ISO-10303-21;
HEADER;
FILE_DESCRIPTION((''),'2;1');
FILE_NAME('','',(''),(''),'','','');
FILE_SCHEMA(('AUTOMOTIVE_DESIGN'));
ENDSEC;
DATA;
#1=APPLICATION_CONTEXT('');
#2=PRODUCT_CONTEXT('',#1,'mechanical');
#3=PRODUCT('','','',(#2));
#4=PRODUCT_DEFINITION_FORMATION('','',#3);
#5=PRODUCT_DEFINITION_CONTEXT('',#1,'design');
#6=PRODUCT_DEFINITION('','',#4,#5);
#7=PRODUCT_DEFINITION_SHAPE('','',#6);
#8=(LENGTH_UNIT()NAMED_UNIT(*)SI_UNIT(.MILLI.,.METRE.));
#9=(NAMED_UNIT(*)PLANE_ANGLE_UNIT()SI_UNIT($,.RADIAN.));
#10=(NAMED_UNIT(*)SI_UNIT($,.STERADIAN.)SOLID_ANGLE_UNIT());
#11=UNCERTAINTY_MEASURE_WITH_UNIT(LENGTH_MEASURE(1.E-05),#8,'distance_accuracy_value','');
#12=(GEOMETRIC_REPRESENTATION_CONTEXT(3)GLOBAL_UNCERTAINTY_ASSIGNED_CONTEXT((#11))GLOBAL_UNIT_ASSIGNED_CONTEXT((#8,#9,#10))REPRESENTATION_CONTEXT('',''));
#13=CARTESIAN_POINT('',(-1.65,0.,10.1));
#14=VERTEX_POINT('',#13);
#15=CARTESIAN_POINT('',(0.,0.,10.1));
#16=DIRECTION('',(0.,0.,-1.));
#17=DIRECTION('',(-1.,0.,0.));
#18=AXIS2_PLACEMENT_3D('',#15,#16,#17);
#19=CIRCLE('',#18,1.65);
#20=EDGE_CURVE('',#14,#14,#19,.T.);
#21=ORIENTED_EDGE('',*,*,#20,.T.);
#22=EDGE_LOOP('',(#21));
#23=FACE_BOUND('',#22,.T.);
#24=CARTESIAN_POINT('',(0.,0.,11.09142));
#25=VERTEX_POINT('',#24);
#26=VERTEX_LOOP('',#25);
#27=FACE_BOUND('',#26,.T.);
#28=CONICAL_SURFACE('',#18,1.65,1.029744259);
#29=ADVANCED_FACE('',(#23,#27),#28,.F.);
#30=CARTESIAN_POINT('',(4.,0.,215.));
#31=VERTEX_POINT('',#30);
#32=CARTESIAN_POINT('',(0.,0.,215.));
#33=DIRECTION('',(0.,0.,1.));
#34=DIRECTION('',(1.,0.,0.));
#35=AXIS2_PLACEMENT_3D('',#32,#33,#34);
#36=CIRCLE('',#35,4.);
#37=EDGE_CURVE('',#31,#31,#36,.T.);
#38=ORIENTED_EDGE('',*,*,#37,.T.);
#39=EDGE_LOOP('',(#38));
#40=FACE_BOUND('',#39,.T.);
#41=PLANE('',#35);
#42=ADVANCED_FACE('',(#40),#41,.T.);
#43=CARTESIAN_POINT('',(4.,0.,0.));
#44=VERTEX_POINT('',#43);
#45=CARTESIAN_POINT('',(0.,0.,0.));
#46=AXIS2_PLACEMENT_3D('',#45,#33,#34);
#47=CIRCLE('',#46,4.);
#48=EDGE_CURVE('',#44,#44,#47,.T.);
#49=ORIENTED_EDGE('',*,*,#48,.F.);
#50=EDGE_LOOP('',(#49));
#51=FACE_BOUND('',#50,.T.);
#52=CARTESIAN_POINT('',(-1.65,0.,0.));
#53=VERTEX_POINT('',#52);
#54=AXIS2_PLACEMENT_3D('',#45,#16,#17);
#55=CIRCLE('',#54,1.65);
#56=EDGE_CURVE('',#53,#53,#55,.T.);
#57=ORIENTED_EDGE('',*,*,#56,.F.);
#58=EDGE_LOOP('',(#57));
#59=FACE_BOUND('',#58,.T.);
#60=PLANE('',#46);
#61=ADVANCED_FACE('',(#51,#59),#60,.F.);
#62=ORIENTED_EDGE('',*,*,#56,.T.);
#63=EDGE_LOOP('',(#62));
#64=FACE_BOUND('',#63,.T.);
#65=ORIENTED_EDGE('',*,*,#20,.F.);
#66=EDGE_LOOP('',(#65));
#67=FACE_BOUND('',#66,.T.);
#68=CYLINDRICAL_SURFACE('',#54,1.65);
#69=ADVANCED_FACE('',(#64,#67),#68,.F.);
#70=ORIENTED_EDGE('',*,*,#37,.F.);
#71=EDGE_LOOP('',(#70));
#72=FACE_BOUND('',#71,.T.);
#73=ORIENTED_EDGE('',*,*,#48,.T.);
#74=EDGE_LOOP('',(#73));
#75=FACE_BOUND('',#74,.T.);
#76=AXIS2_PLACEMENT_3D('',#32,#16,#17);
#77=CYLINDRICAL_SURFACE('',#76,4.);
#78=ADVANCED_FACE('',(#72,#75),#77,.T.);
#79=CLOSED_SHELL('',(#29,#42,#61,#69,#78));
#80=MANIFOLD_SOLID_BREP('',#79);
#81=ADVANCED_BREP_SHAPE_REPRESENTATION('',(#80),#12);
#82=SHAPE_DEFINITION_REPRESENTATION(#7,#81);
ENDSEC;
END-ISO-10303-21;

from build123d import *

# Parameters (mm, degrees)
SKETCH1_R                 = 4
BOSS_EXTRUDE1_DEPTH       = 215
M4X0_7_TAPPED_HOLE2_D     = 3.3
M4X0_7_TAPPED_HOLE2_DEPTH = 10.1
M4X0_7_TAPPED_HOLE2_TIP   = 0.991420021


with BuildPart() as part:
    # Sketch1 → Boss-Extrude1 (new body)
    with BuildSketch(Plane.XY):
        Circle(SKETCH1_R)
    extrude(amount=BOSS_EXTRUDE1_DEPTH)

    # M4x0.7 Tapped Hole2
    with Locations(Plane(origin=(0, 0, 0), x_dir=(-1, 0, 0), z_dir=(0, 0, -1))):
        with Locations((0, 0)):
            Hole(M4X0_7_TAPPED_HOLE2_D / 2, depth=M4X0_7_TAPPED_HOLE2_DEPTH)
            with Locations((0, 0, -(M4X0_7_TAPPED_HOLE2_DEPTH + M4X0_7_TAPPED_HOLE2_TIP / 2))):  # 118° drill point
                Cone(0, M4X0_7_TAPPED_HOLE2_D / 2, M4X0_7_TAPPED_HOLE2_TIP, mode=Mode.SUBTRACT)


solid = part.part
